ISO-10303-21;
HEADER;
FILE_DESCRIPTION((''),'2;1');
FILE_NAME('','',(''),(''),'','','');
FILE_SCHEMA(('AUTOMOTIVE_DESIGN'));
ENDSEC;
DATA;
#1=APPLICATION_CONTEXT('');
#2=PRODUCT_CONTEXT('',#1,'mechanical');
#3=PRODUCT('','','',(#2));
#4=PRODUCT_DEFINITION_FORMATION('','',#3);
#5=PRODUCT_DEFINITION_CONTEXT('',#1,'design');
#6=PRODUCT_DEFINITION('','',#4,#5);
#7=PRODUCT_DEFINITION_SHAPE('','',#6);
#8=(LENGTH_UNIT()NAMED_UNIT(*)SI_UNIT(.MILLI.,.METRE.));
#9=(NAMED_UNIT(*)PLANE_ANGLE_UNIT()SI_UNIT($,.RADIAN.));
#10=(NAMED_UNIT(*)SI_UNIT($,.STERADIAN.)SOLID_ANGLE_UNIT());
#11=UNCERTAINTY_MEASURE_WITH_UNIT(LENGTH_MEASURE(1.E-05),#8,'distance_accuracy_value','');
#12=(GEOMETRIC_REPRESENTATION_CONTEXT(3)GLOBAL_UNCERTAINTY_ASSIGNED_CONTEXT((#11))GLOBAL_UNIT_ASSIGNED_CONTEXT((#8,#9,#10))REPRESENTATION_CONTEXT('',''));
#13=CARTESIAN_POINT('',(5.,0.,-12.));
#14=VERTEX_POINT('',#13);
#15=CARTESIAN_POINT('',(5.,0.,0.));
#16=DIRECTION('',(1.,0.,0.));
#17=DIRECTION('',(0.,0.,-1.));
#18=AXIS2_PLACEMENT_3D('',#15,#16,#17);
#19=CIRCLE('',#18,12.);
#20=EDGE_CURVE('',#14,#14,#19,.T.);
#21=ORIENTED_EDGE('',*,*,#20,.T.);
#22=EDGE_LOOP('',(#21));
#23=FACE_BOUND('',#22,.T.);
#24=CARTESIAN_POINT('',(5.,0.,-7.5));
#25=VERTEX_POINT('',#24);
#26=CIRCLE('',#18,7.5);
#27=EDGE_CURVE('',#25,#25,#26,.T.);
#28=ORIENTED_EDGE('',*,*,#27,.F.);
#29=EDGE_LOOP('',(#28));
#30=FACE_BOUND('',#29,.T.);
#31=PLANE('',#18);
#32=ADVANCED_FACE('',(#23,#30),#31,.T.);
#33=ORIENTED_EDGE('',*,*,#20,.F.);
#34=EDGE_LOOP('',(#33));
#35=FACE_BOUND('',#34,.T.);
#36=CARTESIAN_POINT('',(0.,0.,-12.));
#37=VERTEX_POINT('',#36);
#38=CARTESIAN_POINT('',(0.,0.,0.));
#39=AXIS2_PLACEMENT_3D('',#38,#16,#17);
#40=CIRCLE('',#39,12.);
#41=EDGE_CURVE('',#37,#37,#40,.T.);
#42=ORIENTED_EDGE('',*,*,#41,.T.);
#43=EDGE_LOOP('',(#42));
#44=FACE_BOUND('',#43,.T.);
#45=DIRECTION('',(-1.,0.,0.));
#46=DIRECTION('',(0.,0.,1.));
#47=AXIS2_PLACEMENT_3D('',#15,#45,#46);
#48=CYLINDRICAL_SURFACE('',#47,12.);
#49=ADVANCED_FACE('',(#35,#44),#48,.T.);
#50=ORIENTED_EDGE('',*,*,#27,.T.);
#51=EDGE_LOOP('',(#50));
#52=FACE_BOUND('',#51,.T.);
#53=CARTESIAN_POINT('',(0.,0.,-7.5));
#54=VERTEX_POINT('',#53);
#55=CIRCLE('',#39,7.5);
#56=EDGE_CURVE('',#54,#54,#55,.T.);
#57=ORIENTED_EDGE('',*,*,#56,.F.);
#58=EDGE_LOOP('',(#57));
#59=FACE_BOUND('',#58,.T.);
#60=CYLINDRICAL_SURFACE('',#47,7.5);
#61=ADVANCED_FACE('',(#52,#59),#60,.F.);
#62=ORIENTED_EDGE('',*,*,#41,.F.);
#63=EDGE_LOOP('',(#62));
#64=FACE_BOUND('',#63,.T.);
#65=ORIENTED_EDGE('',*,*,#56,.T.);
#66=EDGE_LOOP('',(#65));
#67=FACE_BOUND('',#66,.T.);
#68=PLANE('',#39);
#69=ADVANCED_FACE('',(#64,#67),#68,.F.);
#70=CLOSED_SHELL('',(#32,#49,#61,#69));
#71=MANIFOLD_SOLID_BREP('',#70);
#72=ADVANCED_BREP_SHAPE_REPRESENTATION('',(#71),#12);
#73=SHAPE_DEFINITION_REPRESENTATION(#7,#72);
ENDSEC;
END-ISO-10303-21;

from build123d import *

# Parameters (mm, degrees)
SKETCH_1_R      = 12
SKETCH_1_R_2    = 7.5
EXTRUDE_1_DEPTH = 5


with BuildPart() as part:
    # Эскиз1 → Бобышка-Вытянуть1 (new body)
    with BuildSketch(Plane(origin=(0, 0, 0), x_dir=(0, 0, -1), z_dir=(1, 0, 0))):
        Circle(SKETCH_1_R)
        Circle(SKETCH_1_R_2, mode=Mode.SUBTRACT)
    extrude(amount=EXTRUDE_1_DEPTH)


solid = part.part
